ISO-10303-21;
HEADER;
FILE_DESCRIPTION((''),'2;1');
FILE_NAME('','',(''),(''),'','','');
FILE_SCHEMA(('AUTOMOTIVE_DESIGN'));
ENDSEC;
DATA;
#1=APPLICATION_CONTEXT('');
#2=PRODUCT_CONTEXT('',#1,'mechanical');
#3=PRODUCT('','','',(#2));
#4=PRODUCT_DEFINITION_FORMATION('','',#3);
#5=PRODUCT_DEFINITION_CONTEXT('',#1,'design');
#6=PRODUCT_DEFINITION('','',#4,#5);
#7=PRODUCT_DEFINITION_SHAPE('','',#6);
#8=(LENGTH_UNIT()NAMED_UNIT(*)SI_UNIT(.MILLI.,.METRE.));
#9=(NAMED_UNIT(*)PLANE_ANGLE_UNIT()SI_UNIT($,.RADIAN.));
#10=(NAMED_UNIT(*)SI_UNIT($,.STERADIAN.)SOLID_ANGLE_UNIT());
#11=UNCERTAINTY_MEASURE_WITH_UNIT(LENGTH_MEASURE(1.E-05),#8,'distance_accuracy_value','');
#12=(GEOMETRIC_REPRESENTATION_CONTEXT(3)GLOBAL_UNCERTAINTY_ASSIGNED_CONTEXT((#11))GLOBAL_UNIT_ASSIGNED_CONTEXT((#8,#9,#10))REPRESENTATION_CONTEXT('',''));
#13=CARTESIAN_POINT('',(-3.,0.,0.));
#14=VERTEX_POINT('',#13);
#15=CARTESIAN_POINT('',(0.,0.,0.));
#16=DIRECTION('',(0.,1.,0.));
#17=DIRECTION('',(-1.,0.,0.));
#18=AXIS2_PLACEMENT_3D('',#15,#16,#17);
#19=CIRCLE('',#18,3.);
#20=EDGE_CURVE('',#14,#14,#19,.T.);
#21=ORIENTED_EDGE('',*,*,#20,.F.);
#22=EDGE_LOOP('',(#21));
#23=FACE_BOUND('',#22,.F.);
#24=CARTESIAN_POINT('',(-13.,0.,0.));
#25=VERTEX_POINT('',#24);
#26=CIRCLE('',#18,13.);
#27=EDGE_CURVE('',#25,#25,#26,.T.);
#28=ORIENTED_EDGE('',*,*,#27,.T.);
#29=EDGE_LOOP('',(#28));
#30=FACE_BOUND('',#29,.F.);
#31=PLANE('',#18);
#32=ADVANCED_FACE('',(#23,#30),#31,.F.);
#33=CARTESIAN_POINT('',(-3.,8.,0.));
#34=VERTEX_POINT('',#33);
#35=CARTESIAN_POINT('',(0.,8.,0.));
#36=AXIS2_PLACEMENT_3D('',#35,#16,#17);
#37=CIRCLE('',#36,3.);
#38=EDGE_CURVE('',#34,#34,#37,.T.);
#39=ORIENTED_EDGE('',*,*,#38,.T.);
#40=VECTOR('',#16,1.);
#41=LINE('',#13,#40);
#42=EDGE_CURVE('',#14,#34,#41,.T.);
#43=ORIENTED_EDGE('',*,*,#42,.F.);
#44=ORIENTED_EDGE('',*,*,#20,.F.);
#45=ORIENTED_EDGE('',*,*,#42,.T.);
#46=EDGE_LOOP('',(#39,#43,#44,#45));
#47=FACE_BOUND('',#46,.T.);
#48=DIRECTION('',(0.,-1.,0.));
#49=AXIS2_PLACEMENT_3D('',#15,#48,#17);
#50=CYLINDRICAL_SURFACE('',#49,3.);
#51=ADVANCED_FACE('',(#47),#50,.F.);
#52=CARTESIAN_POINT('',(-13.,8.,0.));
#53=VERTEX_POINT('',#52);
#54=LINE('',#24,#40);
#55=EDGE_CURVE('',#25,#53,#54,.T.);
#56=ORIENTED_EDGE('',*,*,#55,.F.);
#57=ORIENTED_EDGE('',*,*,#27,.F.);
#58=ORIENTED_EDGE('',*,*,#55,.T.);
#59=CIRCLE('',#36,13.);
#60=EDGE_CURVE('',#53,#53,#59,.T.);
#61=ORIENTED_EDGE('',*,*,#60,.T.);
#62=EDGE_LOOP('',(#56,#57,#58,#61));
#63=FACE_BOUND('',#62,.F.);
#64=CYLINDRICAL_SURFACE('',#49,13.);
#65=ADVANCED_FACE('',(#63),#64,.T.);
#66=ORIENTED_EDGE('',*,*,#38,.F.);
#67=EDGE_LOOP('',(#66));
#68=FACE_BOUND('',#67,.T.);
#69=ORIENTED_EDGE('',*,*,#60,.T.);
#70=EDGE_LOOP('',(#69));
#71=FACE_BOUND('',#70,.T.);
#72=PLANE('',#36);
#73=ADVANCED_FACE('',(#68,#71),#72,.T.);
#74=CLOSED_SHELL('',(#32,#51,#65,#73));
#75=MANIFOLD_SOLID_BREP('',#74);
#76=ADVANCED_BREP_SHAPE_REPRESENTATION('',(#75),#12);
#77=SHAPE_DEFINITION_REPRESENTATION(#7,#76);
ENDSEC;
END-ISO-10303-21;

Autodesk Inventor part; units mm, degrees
ref_plane "YZ Plane" through (0, 0, 0) normal (1, 0, 0) x (0, 1, 0)
ref_plane "XZ Plane" through (0, 0, 0) normal (0, 1, 0) x (-1, 0, 0)
ref_plane "XY Plane" through (0, 0, 0) normal (0, 0, 1) x (1, 0, 0)
sketch "Esquisse1" plane through (0, 0, 0) normal (0, 1, 0) x (-1, 0, 0)
  circle A0 centre (0, 0) radius 13
  circle A1 centre (0, 0) radius 3
  dimension "d0" = 26
  dimension "d1" = 6
extrude "Extrusion1" add sketch "Esquisse1" along normal blind 8
properties part number "encoder"
